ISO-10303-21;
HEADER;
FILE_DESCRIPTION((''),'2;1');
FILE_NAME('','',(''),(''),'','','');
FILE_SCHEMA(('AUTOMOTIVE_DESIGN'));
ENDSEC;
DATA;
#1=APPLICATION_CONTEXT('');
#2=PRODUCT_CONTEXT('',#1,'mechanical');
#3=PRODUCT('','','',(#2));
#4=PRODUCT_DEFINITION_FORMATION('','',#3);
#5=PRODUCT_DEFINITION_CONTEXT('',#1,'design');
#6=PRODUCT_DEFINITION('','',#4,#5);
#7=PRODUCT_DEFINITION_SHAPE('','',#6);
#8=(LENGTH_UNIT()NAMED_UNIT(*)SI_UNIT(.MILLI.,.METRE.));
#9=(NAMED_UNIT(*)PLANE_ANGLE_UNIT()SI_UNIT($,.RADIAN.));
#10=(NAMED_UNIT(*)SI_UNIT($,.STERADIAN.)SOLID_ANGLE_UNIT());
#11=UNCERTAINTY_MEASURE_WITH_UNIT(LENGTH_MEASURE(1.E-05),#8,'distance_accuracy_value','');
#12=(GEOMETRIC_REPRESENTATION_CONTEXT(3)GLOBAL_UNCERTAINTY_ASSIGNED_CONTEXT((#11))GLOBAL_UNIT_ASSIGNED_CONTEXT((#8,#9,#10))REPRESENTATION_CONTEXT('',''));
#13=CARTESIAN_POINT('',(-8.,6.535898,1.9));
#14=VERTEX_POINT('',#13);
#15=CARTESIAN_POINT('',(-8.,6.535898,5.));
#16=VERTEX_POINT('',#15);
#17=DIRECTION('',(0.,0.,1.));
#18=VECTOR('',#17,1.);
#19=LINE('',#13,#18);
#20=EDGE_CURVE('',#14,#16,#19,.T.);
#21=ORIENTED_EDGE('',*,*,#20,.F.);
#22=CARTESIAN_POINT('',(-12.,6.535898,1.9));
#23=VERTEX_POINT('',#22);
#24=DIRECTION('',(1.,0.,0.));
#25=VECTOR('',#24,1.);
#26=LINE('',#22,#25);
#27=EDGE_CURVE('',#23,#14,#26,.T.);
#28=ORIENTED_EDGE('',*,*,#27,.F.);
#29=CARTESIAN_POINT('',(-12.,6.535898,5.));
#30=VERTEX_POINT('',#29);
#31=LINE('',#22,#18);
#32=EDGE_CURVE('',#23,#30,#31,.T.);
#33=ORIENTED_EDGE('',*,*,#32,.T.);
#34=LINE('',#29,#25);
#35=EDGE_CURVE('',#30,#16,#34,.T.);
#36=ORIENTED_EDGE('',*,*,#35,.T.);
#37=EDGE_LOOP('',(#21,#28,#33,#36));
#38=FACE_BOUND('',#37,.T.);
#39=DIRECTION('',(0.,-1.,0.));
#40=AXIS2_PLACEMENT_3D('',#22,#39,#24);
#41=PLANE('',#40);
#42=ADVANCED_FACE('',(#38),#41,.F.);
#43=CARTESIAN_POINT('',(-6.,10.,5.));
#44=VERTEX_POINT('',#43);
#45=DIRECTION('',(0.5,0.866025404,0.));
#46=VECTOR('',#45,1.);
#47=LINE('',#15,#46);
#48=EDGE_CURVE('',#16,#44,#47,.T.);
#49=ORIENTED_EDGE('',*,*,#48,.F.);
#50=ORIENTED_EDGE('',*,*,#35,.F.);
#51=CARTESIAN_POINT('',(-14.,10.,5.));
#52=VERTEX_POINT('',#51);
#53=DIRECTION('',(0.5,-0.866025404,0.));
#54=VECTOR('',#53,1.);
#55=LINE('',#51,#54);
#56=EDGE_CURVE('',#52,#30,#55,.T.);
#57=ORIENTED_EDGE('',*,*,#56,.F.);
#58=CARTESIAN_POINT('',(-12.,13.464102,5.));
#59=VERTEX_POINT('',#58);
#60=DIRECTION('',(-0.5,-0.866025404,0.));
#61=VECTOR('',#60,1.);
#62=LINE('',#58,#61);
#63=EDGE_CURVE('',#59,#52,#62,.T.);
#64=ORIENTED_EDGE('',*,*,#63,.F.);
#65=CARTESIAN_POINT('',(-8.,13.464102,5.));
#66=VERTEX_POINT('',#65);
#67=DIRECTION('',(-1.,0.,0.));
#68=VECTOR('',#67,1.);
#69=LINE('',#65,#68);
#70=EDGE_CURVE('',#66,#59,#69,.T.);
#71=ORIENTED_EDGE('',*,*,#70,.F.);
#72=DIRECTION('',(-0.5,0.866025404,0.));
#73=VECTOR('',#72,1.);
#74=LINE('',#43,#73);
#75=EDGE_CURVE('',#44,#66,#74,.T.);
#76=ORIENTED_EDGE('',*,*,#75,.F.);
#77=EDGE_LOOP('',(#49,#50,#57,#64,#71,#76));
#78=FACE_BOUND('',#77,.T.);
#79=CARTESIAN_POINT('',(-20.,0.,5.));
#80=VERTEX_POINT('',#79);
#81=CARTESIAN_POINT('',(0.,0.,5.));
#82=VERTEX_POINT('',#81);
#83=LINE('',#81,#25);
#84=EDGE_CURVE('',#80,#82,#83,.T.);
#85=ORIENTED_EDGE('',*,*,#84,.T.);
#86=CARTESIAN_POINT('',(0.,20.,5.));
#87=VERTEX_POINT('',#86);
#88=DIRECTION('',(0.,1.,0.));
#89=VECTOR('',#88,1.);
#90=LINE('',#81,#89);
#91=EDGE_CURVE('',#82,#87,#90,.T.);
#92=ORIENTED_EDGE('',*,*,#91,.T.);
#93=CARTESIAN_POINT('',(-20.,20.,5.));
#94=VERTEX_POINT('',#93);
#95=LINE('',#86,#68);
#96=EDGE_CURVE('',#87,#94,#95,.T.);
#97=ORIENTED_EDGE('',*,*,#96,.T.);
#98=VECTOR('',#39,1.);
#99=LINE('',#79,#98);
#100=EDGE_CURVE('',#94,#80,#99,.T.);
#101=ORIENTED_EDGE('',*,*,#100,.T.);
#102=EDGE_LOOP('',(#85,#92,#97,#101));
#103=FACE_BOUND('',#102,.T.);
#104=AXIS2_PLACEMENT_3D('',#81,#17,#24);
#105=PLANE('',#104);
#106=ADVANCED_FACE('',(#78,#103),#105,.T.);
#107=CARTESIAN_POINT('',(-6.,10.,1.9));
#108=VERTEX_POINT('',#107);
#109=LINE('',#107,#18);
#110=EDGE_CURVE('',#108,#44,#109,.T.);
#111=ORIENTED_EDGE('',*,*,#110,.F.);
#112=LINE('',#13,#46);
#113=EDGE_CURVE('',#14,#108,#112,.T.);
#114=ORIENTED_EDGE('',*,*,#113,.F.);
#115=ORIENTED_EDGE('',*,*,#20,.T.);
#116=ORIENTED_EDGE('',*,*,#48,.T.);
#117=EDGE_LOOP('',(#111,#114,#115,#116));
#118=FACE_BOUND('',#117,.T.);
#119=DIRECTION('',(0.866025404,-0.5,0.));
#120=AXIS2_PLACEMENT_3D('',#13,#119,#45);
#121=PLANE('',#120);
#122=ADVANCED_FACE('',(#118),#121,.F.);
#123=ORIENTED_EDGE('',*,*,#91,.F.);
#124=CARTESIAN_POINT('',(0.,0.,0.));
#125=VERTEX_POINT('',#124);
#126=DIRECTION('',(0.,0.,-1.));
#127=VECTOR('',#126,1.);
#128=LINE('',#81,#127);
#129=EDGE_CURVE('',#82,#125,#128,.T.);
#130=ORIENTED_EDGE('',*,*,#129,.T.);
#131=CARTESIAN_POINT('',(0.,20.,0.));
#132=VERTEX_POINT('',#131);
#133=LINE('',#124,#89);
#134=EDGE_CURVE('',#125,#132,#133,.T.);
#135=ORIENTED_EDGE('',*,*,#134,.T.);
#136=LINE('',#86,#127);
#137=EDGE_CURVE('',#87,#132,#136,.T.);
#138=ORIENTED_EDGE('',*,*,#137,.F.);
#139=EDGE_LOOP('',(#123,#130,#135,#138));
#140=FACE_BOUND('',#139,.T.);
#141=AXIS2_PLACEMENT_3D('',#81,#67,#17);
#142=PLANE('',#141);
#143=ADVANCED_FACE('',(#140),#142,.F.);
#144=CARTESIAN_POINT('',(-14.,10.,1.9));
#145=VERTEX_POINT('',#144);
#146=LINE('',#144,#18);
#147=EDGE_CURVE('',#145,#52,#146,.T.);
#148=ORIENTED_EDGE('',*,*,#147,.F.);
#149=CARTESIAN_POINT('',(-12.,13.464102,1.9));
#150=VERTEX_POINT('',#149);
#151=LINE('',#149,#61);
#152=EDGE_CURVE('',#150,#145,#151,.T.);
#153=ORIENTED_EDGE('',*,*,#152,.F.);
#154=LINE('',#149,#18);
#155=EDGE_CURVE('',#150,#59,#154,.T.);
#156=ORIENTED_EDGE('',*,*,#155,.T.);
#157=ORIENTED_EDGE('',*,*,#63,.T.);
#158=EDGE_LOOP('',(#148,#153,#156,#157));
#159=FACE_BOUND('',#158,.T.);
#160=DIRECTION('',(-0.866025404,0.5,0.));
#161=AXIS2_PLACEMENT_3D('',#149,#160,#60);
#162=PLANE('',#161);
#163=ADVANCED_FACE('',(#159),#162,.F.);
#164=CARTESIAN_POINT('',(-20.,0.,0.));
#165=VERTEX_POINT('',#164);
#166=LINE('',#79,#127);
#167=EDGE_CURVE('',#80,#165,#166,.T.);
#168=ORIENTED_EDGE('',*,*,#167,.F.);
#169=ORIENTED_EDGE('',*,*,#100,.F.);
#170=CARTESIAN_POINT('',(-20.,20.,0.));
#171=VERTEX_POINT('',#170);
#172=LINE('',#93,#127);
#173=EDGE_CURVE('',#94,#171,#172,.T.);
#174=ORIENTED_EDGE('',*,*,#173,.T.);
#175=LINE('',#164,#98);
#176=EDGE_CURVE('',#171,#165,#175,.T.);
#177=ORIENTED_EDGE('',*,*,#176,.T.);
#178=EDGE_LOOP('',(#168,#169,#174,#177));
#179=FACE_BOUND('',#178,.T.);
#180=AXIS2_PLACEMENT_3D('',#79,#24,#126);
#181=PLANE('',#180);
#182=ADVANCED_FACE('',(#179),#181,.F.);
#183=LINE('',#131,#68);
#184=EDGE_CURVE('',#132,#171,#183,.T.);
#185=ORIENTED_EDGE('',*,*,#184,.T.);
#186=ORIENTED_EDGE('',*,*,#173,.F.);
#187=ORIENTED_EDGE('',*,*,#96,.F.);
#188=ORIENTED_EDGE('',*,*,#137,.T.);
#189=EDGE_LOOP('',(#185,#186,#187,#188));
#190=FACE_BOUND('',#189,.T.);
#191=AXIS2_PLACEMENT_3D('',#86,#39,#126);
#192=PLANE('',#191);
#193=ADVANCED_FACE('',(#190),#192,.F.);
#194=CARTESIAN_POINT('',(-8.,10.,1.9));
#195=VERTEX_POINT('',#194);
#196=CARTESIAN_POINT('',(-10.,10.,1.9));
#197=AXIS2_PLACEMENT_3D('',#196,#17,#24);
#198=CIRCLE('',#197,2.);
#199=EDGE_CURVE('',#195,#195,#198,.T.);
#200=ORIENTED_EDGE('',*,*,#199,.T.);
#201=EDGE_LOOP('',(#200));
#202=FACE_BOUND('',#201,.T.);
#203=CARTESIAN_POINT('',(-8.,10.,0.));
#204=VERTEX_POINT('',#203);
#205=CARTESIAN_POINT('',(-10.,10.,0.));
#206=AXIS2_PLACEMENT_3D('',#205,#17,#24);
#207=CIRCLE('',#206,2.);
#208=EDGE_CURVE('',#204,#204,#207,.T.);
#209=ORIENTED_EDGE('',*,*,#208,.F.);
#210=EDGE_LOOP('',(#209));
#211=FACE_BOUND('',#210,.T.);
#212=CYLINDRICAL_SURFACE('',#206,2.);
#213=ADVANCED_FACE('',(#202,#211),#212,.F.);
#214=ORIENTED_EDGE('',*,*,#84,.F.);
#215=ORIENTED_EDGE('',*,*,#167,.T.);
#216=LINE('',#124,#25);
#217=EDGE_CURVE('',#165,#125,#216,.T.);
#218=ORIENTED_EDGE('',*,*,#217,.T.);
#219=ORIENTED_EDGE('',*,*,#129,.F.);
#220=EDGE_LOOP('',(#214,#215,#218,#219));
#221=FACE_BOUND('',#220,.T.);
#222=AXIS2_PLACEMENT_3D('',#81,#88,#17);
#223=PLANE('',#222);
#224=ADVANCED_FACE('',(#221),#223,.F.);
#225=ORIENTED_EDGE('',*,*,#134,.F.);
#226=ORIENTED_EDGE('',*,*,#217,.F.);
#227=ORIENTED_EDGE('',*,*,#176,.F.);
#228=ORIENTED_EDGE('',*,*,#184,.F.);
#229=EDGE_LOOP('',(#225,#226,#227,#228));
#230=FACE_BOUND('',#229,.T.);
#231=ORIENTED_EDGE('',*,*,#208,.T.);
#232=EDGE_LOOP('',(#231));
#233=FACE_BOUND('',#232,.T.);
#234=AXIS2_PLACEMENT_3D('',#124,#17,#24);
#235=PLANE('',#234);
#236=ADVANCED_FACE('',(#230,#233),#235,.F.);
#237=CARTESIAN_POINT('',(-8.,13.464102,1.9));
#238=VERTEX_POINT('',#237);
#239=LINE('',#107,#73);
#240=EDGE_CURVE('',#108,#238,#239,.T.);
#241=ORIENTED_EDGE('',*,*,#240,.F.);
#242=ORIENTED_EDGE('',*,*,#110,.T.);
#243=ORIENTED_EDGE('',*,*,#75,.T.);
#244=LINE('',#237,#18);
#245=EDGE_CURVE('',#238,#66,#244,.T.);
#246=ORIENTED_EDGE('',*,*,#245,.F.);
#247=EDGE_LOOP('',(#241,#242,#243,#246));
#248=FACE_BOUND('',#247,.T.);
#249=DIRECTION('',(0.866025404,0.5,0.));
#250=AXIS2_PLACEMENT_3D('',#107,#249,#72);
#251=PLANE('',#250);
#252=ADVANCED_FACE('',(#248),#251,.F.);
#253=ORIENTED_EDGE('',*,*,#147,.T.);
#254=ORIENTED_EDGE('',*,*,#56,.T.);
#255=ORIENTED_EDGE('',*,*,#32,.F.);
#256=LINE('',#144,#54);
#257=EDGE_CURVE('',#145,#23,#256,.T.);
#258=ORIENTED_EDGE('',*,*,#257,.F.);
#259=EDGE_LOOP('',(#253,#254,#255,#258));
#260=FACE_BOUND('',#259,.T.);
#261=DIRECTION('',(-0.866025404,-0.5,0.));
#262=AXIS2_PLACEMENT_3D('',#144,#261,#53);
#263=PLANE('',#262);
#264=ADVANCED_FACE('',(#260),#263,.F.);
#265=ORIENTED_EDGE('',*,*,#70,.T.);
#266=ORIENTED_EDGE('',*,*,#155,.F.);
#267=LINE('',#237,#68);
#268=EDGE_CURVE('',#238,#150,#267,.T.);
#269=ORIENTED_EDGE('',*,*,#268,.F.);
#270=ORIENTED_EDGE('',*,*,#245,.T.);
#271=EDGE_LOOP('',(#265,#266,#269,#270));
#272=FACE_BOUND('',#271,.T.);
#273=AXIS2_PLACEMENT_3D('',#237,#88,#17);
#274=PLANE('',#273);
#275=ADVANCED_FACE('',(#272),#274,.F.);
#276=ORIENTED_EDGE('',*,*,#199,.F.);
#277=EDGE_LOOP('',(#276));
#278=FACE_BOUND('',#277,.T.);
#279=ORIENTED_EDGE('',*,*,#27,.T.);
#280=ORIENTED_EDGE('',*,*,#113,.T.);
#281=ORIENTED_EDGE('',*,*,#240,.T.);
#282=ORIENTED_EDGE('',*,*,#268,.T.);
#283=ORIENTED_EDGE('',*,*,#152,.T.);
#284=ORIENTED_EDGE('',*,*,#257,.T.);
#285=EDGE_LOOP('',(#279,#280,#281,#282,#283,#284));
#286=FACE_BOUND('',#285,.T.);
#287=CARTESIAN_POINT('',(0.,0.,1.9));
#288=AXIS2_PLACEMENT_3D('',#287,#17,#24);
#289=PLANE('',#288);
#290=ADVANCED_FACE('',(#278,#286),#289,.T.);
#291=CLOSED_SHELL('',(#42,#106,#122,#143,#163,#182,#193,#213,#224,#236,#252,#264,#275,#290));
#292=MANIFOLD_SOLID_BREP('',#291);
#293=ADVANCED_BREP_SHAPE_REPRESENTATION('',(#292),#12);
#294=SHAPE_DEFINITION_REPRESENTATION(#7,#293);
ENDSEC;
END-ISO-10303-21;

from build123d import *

# Parameters (mm, degrees)
SKETCH1_W           = 20
SKETCH1_H           = 20
BOSS_EXTRUDE1_DEPTH = 5
CUT_EXTRUDE1_DEPTH  = 3.1
SKETCH4_R           = 2
CUT_EXTRUDE2_DEPTH  = 6


with BuildPart() as part:
    # Sketch1 → Boss-Extrude1 (new body)
    with BuildSketch(Plane.XY):
        with Locations((-10, 10)):
            Rectangle(SKETCH1_W, SKETCH1_H)
    extrude(amount=BOSS_EXTRUDE1_DEPTH)

    # Sketch2 → Cut-Extrude1 (cut)
    with BuildSketch(Plane.XY.offset(5)):
        Polygon((-6, 10), (-8, 13.464101615), (-12, 13.464101615), (-14, 10), (-12, 6.535898385), (-8, 6.535898385), align=None)
    extrude(amount=-CUT_EXTRUDE1_DEPTH, mode=Mode.SUBTRACT)

    # Sketch4 → Cut-Extrude2 (cut, through all)
    with BuildSketch(Plane.XY.offset(5)):
        with Locations((-10, 10)):
            Circle(SKETCH4_R)
    extrude(amount=-CUT_EXTRUDE2_DEPTH, mode=Mode.SUBTRACT)


solid = part.part
